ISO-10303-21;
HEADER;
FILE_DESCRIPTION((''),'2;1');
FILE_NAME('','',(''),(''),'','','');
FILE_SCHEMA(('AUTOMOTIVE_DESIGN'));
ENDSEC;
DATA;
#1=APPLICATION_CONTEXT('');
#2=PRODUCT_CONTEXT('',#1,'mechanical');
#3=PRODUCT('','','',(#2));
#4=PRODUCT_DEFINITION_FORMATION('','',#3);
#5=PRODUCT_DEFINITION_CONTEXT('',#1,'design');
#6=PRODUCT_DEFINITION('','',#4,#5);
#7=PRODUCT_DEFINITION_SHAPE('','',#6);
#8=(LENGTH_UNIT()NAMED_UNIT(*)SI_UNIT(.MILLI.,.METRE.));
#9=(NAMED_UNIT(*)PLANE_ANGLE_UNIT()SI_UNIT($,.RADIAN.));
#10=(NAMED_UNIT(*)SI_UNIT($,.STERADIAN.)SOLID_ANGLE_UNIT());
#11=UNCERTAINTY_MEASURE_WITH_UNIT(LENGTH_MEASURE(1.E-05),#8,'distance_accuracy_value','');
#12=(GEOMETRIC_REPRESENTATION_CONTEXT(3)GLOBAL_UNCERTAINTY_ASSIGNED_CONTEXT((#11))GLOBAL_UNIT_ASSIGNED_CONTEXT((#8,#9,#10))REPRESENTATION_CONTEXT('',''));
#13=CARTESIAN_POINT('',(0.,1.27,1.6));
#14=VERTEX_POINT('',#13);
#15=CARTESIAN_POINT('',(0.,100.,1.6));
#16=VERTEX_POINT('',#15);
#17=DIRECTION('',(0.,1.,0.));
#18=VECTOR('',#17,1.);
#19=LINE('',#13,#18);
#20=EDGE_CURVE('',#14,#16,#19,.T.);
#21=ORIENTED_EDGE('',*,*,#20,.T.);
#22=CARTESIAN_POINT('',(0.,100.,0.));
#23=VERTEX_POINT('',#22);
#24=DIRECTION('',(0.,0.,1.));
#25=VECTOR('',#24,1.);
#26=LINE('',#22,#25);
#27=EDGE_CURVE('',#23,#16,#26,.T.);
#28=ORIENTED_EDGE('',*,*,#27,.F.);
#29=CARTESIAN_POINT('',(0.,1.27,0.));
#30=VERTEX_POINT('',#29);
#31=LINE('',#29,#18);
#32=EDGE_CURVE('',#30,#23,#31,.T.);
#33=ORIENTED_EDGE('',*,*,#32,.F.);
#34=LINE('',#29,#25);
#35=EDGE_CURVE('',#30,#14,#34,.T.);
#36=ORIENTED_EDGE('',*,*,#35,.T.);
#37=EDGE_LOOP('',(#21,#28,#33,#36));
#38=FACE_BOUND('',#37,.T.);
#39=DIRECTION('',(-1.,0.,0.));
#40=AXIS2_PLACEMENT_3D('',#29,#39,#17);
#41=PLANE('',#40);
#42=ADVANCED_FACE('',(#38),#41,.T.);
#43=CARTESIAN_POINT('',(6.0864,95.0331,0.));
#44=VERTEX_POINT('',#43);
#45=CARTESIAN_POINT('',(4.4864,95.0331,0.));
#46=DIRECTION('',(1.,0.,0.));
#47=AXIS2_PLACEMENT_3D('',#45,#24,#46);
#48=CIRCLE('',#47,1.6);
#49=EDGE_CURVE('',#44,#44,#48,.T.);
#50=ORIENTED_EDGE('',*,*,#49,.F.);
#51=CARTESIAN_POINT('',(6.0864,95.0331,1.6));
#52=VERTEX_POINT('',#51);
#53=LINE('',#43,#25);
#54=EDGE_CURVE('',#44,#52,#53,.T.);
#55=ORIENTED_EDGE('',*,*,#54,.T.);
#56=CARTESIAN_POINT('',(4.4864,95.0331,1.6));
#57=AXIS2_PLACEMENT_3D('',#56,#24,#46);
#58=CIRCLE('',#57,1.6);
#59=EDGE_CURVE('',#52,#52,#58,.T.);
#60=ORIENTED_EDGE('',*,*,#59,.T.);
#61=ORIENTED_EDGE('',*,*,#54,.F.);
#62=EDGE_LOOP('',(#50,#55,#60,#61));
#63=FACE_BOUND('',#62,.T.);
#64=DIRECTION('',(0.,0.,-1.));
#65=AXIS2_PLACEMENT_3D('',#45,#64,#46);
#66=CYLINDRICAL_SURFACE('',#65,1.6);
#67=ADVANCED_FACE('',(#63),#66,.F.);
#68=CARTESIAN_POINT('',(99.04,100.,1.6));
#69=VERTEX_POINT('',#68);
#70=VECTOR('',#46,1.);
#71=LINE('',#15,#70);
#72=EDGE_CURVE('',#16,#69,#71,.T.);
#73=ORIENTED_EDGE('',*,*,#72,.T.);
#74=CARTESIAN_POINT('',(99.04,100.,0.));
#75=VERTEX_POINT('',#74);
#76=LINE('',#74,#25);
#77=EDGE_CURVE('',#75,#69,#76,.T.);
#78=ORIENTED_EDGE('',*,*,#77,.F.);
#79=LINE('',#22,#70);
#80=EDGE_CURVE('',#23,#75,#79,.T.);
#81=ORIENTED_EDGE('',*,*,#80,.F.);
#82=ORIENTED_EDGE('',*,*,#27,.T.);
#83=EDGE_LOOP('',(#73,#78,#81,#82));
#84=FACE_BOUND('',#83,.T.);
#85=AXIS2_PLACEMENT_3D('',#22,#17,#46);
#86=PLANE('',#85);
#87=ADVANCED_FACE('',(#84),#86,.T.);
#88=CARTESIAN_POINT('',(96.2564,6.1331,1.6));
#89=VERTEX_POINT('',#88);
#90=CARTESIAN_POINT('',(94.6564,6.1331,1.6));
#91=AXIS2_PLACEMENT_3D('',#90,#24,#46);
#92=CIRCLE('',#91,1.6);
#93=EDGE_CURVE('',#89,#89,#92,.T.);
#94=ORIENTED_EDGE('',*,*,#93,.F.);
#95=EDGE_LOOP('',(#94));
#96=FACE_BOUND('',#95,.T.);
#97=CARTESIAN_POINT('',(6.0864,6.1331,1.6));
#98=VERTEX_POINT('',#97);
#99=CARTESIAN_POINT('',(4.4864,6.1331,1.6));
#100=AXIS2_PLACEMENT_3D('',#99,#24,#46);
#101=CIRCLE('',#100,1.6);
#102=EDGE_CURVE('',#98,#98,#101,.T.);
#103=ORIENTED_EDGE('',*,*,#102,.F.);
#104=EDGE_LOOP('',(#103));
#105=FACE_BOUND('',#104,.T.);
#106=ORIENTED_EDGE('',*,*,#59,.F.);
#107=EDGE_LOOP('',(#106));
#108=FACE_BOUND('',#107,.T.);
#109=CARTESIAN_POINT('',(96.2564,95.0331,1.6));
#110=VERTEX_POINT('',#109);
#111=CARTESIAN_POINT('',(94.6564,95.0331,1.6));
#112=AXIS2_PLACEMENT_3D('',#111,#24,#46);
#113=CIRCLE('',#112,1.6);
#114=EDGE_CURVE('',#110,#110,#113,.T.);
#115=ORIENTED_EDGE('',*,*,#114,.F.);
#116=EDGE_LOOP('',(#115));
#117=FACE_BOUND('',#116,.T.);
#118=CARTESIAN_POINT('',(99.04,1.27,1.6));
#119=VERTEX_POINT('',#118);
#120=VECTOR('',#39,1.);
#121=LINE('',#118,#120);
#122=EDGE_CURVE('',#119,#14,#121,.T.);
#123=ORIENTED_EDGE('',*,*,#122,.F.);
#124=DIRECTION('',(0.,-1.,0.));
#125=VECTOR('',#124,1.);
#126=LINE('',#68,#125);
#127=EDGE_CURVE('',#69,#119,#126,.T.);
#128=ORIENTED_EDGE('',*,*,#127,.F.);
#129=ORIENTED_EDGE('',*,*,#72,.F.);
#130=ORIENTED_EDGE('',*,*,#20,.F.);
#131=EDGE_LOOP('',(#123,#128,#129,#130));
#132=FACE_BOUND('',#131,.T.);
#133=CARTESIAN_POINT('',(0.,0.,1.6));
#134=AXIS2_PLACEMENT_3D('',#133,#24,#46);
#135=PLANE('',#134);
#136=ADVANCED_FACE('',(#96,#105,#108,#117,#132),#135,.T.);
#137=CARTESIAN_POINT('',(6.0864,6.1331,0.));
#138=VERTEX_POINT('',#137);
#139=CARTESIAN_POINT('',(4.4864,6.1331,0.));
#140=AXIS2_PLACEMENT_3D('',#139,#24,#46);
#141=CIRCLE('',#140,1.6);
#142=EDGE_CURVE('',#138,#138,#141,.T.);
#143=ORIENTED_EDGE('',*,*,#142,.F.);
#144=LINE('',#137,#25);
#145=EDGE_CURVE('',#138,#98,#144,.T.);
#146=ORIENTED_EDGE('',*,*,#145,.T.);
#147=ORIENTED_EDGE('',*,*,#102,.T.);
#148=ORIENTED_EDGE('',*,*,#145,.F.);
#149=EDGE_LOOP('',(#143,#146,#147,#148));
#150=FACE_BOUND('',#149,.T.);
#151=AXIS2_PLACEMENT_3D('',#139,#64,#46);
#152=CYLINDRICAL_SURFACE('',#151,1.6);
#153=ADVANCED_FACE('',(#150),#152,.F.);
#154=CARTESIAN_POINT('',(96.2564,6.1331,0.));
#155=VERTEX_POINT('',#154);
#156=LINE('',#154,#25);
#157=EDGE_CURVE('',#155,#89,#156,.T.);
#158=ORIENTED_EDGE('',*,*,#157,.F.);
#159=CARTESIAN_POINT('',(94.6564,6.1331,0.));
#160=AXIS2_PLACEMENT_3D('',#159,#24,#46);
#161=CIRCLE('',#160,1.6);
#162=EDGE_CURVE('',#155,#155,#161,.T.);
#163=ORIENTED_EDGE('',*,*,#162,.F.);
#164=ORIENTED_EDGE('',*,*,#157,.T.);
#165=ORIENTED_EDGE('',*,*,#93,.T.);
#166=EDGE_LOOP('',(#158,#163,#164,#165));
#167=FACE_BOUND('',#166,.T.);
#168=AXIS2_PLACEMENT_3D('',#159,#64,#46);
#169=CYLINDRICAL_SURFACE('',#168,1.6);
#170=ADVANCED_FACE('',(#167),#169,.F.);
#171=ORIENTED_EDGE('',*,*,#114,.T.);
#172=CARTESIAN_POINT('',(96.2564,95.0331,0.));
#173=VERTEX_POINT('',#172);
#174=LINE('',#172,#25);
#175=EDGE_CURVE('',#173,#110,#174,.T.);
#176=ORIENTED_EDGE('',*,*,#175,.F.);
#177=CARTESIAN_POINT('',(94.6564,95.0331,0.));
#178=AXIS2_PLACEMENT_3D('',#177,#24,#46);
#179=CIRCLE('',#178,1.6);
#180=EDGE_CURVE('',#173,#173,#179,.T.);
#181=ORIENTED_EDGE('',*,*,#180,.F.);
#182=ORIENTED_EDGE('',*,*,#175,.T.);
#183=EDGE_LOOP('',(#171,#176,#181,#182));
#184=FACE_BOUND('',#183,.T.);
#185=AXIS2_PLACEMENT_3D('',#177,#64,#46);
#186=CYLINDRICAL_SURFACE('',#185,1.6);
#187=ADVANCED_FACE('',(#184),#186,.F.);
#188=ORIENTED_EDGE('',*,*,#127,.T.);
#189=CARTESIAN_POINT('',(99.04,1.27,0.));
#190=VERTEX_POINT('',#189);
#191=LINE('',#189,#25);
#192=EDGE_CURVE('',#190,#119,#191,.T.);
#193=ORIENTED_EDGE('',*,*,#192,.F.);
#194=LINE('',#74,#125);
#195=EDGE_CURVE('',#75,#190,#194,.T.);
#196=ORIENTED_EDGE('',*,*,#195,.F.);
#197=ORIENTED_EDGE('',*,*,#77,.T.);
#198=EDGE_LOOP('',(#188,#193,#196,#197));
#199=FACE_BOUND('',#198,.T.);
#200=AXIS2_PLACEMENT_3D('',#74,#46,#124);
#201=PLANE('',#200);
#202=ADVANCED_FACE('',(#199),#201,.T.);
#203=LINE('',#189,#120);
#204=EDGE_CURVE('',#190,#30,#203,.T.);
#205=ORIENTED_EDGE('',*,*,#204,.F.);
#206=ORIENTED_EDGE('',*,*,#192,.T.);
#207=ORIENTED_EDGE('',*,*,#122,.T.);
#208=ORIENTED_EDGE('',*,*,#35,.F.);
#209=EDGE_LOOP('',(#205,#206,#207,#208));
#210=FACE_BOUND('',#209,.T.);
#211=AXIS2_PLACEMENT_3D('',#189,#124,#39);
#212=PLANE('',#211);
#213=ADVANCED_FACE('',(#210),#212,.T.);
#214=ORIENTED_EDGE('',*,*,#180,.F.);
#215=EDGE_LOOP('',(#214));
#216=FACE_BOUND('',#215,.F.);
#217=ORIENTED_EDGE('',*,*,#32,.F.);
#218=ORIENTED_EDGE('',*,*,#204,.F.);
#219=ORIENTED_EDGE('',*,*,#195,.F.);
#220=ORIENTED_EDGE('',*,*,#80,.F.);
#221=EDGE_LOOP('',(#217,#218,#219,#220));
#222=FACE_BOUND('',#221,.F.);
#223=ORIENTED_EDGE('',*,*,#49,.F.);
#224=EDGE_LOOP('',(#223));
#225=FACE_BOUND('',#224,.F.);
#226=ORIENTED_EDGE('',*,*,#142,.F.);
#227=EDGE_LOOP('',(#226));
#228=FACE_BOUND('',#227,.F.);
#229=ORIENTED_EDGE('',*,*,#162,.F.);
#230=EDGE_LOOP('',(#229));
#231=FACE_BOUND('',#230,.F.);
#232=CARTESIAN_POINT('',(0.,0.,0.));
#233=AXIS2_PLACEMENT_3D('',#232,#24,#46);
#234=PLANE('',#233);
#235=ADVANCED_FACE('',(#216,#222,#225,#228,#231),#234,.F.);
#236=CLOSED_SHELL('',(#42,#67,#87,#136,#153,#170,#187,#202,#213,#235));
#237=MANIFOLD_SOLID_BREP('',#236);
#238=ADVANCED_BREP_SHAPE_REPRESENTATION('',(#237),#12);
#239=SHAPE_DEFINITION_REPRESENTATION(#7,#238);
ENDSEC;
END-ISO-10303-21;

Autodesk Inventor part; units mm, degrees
ref_plane "YZ Plane" through (0, 0, 0) normal (1, 0, 0) x (0, 1, 0)
ref_plane "XZ Plane" through (0, 0, 0) normal (0, 1, 0) x (-1, 0, 0)
ref_plane "XY Plane" through (0, 0, 0) normal (0, 0, 1) x (1, 0, 0)
sketch "スケッチ1" plane through (0, 0, 0) normal (0, 0, 1) x (1, 0, 0)
  line L0 (0, 100) -> (99.04, 100)
  line L1 (99.04, 100) -> (99.04, 1.27)
  line L2 (99.04, 1.27) -> (0, 1.27)
  line L3 (0, 1.27) -> (0, 100)
  circle A0 centre (94.6564, 95.0331) radius 1.6
  circle A1 centre (94.6564, 6.1331) radius 1.6
  circle A2 centre (4.4864, 6.1331) radius 1.6
  circle A3 centre (4.4864, 95.0331) radius 1.6
  point P0 (0, 0)
  dimension "d2" = 3.2
  dimension "d3" = 3.2
  dimension "d4" = 3.2
  dimension "d5" = 3.2
extrude "押し出し2" add sketch "スケッチ1" along normal blind 1.6
sketch "スケッチ2" plane through (0, 0, 1.6) normal (0, 0, 1) x (1, 0, 0)
  line L0 (43.0744, 59.3857) -> (45.1715, 59.3857) construction
  line L1 (45.1715, 59.3857) -> (45.1715, 55.7795) construction
  line L2 (45.1715, 55.7795) -> (43.0744, 55.7795) construction
  line L3 (43.0744, 55.7795) -> (43.0744, 59.3857) construction
  point P0 (0, 0)
properties part number "メイン基板"
